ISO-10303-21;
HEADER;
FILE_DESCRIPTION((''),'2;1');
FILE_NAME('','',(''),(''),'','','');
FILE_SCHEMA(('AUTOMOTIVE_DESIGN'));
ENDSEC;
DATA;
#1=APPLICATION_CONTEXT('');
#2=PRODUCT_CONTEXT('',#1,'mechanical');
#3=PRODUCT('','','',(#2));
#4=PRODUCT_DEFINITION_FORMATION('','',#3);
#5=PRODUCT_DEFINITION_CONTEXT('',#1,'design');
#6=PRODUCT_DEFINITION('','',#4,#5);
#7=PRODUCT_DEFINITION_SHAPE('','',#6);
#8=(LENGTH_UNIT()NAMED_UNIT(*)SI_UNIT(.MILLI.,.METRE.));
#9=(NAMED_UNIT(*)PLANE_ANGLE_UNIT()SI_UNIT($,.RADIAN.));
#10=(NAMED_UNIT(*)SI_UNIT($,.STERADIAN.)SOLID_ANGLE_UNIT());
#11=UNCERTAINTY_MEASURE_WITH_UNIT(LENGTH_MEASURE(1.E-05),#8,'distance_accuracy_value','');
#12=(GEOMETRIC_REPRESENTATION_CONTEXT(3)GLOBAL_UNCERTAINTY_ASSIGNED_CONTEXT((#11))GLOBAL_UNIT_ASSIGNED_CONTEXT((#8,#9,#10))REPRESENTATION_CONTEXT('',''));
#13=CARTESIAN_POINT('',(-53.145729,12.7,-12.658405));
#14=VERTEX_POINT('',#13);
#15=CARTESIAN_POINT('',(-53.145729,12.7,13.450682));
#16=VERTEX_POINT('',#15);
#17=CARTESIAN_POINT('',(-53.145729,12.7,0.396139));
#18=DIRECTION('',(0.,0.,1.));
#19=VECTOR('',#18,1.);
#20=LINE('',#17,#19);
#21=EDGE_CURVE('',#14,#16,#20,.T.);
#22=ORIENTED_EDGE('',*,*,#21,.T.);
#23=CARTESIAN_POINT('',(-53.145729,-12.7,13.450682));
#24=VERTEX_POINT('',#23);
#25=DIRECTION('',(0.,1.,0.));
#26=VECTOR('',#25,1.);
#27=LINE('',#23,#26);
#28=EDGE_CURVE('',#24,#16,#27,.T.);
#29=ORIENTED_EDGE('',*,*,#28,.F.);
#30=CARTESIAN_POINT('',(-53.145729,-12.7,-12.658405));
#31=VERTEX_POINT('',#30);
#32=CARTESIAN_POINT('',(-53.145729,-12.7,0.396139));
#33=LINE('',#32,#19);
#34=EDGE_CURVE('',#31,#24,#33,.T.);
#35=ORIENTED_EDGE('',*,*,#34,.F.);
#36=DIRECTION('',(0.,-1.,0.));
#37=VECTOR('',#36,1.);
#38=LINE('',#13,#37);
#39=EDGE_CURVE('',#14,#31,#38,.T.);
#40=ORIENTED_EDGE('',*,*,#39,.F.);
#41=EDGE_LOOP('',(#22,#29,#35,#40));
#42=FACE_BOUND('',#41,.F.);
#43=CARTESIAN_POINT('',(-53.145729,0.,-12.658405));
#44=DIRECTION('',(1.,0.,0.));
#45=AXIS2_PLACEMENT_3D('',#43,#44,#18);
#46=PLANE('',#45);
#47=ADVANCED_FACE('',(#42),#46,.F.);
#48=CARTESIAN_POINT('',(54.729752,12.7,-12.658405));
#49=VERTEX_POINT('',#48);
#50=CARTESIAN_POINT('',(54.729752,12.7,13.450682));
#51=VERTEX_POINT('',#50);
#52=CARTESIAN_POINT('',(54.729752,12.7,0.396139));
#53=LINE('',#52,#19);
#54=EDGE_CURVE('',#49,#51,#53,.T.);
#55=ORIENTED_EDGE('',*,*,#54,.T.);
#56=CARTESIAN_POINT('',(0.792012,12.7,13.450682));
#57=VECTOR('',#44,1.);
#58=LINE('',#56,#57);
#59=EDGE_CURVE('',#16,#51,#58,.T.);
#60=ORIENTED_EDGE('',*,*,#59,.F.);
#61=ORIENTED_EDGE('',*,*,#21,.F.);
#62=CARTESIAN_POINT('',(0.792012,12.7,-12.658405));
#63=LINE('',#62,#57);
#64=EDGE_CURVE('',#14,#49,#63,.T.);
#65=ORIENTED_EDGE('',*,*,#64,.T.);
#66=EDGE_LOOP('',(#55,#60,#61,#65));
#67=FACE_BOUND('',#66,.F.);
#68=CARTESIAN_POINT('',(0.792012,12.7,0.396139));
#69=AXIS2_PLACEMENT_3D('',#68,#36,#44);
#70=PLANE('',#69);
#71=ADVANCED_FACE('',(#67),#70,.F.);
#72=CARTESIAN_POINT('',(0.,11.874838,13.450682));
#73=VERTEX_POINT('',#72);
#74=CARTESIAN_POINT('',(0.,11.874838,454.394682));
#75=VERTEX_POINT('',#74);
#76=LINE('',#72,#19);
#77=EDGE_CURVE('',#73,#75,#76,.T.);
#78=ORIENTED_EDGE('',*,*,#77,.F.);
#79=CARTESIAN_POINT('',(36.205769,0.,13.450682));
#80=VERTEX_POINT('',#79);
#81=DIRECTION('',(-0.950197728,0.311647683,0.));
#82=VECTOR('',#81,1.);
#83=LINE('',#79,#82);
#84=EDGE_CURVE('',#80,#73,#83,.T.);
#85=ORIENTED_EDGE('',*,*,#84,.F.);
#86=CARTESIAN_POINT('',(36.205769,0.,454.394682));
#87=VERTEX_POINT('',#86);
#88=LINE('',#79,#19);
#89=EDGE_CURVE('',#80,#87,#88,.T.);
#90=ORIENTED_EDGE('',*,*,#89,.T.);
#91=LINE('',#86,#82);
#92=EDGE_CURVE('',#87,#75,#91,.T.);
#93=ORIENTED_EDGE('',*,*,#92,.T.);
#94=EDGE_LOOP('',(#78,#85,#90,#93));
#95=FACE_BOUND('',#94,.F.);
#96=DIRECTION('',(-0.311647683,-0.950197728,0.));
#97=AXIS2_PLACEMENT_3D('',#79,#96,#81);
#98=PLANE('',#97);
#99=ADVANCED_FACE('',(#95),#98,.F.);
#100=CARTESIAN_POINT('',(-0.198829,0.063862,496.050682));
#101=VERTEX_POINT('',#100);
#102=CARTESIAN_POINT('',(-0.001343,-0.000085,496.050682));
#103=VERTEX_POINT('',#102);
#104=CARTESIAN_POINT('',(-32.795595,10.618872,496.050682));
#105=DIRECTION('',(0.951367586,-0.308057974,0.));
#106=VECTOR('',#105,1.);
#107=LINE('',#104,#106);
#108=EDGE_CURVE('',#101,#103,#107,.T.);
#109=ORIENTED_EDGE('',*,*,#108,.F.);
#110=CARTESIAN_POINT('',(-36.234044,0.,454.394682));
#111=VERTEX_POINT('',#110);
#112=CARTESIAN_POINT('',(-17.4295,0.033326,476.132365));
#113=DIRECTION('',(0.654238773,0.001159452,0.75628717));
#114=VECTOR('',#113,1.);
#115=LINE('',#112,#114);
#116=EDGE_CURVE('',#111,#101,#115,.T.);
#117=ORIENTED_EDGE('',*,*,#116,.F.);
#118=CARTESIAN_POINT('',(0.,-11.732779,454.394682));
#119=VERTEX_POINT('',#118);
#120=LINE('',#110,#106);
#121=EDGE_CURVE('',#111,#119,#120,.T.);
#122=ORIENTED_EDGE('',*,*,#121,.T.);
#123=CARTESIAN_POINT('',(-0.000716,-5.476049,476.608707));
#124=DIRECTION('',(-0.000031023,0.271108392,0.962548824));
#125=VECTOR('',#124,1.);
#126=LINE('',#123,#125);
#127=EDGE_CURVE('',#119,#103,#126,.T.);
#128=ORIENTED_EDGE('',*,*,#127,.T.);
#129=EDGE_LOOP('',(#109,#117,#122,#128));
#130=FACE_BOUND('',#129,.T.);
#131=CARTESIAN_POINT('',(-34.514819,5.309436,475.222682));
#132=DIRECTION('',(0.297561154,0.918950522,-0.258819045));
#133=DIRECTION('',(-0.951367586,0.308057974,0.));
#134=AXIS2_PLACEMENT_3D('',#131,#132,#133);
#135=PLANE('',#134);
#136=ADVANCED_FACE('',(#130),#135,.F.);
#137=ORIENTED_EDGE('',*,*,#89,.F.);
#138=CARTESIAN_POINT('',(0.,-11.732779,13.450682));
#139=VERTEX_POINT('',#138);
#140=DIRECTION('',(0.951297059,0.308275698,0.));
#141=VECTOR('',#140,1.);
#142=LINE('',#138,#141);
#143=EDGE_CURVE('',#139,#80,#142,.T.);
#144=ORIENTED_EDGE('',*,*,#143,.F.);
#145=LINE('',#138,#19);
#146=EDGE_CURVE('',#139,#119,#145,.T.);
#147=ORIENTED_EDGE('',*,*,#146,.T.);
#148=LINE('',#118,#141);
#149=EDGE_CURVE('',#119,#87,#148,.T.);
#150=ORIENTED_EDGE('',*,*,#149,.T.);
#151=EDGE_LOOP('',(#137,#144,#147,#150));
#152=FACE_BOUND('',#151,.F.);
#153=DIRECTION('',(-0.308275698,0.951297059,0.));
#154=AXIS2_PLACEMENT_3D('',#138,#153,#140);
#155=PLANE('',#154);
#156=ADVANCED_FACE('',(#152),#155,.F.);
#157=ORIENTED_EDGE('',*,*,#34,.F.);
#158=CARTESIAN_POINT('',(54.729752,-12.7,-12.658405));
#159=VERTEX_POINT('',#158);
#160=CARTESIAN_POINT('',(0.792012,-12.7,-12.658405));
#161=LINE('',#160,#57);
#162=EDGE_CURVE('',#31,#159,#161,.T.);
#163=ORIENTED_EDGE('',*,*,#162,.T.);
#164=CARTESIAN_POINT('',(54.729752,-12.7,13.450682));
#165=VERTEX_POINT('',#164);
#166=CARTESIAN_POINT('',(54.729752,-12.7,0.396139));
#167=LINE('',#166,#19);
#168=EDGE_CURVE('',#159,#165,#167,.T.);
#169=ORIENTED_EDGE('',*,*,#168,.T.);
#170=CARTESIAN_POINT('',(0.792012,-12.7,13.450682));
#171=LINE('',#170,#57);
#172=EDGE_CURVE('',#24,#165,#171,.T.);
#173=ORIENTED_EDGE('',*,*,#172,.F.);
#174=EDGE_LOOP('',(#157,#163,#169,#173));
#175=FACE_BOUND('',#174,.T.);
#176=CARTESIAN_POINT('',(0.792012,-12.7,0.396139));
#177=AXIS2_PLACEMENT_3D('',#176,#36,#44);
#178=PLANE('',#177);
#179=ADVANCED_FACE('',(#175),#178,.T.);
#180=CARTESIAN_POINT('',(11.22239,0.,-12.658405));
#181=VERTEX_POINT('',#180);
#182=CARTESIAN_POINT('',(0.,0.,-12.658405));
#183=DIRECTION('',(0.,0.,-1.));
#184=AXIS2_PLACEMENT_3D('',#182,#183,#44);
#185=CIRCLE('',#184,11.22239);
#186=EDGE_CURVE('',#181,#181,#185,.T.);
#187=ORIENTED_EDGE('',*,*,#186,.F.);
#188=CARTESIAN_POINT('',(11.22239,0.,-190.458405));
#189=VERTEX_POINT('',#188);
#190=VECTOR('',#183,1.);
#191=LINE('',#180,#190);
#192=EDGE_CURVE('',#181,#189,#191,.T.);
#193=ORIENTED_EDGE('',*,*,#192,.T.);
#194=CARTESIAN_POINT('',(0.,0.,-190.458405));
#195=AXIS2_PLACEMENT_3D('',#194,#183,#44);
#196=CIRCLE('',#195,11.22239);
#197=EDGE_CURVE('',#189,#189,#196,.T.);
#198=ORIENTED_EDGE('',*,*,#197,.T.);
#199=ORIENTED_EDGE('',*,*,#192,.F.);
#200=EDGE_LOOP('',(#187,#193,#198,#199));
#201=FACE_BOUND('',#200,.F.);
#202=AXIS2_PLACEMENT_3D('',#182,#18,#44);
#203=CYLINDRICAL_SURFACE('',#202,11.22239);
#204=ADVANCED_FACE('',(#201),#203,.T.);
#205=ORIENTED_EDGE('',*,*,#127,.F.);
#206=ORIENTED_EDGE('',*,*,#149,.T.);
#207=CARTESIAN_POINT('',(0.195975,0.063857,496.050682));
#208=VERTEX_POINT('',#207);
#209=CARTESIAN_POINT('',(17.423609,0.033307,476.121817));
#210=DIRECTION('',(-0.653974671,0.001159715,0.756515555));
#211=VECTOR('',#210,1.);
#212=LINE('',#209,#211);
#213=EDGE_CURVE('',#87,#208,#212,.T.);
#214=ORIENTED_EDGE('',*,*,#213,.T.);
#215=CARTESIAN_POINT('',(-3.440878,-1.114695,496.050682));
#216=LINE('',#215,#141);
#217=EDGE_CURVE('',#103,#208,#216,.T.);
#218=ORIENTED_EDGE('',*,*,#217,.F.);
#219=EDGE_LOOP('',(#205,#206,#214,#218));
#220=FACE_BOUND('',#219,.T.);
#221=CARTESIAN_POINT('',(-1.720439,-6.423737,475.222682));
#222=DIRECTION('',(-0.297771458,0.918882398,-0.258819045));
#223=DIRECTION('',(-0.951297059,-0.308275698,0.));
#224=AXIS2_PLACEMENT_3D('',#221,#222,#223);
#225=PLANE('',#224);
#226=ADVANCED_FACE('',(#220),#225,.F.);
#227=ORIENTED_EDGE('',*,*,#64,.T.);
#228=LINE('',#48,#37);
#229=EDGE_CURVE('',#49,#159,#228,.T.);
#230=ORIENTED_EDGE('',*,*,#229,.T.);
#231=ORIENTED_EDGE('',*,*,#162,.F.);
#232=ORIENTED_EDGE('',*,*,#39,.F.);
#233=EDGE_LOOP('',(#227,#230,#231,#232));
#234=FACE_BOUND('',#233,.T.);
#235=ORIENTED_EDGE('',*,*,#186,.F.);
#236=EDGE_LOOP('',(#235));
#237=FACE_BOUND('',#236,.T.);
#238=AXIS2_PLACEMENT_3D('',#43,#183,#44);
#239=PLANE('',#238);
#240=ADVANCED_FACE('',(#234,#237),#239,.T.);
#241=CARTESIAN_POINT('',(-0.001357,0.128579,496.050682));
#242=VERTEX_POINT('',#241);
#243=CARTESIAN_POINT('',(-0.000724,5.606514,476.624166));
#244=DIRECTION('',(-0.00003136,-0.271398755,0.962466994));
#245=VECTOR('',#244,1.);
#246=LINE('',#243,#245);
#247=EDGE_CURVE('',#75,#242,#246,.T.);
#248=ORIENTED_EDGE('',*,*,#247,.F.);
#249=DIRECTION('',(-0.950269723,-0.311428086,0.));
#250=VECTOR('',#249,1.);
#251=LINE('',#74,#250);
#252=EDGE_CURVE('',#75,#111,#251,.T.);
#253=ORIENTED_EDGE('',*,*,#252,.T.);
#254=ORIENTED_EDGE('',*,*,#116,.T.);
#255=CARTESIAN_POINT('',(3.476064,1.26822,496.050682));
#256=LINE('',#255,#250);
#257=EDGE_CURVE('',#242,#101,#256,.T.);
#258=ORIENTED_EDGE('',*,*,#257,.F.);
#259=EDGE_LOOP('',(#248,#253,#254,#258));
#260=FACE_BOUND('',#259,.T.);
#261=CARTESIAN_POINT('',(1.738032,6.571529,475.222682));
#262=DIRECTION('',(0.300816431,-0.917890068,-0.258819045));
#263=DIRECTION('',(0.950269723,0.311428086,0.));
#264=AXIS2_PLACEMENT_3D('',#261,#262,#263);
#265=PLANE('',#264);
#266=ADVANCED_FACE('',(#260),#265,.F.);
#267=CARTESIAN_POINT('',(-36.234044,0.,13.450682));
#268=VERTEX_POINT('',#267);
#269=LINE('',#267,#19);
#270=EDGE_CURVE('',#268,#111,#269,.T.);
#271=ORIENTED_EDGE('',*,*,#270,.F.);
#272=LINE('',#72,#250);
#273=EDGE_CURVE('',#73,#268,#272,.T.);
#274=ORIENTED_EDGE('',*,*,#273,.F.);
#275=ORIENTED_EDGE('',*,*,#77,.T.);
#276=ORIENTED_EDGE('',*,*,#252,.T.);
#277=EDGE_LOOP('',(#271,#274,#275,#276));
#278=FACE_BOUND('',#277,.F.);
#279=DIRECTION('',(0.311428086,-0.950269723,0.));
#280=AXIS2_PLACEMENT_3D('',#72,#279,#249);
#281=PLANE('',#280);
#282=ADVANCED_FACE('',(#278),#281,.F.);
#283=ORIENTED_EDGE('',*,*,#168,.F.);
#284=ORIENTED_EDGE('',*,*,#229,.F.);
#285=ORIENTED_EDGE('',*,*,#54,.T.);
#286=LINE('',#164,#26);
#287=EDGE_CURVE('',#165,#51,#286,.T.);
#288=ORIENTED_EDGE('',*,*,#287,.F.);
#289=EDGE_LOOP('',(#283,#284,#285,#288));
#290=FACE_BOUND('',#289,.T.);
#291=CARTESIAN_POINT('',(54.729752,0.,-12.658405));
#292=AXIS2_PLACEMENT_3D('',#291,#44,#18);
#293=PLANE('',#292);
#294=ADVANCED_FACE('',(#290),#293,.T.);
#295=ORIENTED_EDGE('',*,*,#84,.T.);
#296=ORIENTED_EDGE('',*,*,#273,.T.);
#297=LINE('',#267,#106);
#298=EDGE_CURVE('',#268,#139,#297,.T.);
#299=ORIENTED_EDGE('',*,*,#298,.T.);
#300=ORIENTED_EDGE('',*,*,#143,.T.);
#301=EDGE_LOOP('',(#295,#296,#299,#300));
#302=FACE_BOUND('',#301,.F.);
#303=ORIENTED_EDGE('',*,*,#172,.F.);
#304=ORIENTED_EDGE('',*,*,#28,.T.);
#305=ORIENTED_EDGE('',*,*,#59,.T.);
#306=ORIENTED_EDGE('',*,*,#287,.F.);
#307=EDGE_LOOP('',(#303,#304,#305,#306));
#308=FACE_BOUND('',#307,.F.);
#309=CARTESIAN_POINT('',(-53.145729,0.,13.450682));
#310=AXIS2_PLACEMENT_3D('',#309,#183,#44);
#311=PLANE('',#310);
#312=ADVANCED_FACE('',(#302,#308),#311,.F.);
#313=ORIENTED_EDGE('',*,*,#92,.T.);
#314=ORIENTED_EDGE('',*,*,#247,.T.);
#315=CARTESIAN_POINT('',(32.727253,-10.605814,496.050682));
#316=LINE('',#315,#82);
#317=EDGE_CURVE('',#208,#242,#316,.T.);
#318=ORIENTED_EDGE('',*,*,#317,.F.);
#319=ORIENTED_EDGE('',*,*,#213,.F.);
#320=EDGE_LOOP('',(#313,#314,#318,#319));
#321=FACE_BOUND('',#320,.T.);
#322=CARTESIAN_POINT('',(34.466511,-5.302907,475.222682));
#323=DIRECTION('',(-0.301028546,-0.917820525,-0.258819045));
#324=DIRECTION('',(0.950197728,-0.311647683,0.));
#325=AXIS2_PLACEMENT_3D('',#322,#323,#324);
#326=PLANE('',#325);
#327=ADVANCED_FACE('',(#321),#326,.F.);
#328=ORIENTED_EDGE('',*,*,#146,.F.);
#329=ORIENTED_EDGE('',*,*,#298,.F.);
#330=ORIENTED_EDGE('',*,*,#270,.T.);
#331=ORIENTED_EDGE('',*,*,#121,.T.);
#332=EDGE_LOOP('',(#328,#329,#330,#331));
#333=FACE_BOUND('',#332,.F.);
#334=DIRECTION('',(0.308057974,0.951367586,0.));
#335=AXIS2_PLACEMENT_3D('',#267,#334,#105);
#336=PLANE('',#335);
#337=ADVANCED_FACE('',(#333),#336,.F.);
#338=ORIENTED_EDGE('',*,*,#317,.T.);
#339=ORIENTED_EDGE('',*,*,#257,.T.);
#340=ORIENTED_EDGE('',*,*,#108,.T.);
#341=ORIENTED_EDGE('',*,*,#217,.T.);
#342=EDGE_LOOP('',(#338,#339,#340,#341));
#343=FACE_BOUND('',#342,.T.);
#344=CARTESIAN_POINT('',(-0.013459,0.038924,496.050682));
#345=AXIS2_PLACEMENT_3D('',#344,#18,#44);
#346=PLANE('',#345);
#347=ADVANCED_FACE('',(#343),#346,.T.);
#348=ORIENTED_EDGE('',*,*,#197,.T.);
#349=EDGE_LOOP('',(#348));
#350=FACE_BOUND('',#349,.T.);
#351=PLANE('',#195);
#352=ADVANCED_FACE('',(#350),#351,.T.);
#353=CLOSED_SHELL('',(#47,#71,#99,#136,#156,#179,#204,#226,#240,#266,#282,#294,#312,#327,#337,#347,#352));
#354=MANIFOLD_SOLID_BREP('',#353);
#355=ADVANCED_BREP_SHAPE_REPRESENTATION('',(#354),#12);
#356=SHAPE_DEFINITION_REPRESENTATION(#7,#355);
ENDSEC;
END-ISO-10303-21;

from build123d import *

# Parameters (mm, degrees)
F0_W     = 107.8754812479
F0_H     = 26.1090872809
F1_DEPTH = 12.7
F2_DEPTH = 12.7
F3_R     = 11.2223896829
F4_DEPTH = 177.8
F6_DEPTH = 482.6
F7_SIZE2 = 11.1616915599
F7_SIZE  = 41.656


with BuildPart() as f1:
    # F0 (on Front) → F1 (new body)
    with BuildSketch(Plane.XZ):
        with Locations((0.7920116186, 0.3961385228)):
            Rectangle(F0_W, F0_H)
    extrude(amount=F1_DEPTH)

    # F2 (add): a face of the model
    f2_faces = [f1.faces().sort_by_distance(p)[0] for p in [
        (0.7920116186, 0, 0.3961385228),
    ]]
    extrude(f2_faces, amount=F2_DEPTH)

    # F3 (on face) → F4 (join)
    with BuildSketch(Plane(origin=(0, 0, -12.6584051177), x_dir=(1, 0, 0), z_dir=(0, 0, -1))):
        Circle(F3_R)
    extrude(amount=F4_DEPTH)

    # F5 (on face) → F6 (join)
    with BuildSketch(Plane.XY.offset(13.4506821632)):
        Polygon((36.2057685852, 0), (0, 11.8748378009), (-36.2340435386, 0), (0, -11.7327794433), align=None)
    extrude(amount=F6_DEPTH)

    # F7
    f7_edges = [f1.edges().sort_by_distance(p)[0] for p in [
        (-18.117022, -5.86639, 496.050682),
        (18.102884, -5.86639, 496.050682),
        (18.102884, 5.937419, 496.050682),
        (-18.117022, 5.937419, 496.050682),
    ]]
    chamfer(f7_edges, length=F7_SIZE, length2=F7_SIZE2)


solid = f1.part
